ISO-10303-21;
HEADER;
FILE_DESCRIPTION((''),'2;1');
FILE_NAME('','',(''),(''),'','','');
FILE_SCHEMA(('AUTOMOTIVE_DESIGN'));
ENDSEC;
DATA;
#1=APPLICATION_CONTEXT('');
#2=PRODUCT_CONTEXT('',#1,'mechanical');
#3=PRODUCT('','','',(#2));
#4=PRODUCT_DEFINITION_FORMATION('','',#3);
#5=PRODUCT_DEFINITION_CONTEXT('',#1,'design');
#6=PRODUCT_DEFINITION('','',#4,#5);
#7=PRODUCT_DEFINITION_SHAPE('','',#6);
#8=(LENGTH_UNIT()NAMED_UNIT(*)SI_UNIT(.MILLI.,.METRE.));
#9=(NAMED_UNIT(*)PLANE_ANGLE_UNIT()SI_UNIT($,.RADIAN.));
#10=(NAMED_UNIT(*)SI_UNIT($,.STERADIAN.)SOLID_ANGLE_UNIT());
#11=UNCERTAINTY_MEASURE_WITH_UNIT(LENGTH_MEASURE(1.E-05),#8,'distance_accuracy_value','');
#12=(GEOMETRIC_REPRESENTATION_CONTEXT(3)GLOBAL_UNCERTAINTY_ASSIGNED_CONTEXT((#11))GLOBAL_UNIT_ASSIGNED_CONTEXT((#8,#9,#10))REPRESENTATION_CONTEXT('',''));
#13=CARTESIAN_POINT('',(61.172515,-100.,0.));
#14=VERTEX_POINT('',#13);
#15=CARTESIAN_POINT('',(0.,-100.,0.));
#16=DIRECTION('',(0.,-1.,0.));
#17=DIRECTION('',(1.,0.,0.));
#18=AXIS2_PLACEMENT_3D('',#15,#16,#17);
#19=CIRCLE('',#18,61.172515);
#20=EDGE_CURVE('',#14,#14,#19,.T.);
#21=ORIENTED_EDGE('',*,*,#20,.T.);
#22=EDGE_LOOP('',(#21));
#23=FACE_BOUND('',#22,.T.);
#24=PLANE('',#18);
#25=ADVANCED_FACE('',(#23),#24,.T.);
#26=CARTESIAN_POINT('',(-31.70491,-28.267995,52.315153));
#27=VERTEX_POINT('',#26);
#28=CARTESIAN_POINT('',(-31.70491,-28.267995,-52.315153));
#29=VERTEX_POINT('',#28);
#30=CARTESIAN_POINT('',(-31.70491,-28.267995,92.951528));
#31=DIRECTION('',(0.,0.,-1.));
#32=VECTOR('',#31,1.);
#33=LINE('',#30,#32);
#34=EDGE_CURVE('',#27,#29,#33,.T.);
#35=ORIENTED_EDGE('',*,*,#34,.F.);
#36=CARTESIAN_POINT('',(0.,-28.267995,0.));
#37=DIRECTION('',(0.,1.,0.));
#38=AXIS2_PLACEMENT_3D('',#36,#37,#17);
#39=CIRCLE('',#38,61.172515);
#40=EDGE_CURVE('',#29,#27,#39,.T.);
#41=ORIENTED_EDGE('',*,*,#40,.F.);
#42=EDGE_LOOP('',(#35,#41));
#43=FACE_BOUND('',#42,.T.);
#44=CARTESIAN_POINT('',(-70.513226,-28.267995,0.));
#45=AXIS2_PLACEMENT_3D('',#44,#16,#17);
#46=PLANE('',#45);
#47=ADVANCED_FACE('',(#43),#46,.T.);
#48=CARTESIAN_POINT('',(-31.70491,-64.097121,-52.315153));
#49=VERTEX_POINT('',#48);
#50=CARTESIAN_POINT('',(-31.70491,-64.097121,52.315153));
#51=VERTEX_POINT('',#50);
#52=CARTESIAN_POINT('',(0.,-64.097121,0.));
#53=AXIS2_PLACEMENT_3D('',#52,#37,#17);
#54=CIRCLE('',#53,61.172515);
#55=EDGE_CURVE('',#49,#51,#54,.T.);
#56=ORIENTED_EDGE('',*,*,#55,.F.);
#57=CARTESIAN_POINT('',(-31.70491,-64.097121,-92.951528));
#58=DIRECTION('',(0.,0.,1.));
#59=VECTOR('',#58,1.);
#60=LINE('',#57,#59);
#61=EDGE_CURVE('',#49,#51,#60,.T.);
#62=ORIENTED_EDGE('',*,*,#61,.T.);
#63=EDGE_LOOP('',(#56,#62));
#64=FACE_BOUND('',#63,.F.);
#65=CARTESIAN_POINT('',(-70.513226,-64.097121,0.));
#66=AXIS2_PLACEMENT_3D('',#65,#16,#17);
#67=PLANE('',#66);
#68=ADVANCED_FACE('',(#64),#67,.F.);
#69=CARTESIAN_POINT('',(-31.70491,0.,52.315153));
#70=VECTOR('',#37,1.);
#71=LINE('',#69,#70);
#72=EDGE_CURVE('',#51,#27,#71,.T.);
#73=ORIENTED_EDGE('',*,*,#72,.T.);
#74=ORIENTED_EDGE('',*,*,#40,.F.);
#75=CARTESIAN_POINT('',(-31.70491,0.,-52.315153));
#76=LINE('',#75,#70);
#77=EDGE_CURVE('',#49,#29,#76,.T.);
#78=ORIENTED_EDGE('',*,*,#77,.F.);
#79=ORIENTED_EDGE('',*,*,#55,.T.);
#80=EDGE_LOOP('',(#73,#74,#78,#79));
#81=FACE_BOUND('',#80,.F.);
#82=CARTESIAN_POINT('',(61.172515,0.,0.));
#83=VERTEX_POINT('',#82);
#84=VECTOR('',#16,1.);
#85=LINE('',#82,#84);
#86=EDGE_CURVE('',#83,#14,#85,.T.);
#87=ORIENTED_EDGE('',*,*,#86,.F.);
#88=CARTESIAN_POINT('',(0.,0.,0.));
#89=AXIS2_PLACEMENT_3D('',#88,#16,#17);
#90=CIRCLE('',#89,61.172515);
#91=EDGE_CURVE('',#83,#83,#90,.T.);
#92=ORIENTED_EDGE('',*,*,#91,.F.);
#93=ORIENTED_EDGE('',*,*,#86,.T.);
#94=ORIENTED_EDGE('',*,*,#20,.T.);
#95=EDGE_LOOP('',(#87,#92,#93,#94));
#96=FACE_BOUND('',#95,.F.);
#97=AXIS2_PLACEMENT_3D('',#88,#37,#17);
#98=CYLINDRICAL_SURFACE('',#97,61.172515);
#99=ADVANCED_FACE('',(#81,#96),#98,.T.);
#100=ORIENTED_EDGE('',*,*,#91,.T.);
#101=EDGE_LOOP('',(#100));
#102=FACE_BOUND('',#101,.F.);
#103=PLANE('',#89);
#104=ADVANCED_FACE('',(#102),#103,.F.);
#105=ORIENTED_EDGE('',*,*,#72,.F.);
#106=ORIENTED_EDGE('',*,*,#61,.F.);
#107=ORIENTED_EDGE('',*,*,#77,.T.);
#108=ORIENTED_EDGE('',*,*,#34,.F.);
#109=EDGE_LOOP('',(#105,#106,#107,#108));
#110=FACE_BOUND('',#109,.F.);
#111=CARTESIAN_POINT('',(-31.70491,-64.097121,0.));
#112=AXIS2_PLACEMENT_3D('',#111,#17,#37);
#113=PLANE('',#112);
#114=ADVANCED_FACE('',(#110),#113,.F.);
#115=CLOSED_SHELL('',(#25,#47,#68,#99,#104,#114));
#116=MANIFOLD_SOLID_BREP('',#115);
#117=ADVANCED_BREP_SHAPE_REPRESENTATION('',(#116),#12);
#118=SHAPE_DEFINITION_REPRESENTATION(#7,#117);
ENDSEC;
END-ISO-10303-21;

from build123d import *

# Parameters (mm, degrees)
F0_R     = 61.172515
F1_DEPTH = 100
F2_W     = 38.808316
F2_H     = 35.829126
F3_DEPTH = 92.951528


with BuildPart() as f1:
    # F0 (on Front) → F1 (new body)
    with BuildSketch(Plane.XZ):
        Circle(F0_R)
    extrude(amount=F1_DEPTH)

    # F2 (on Top) → F3 (cut, symmetric)
    with BuildSketch(Plane.XY):
        with Locations((-51.109068, -46.182558)):
            Rectangle(F2_W, F2_H)
    extrude(amount=F3_DEPTH, both=True, mode=Mode.SUBTRACT)


solid = f1.part
